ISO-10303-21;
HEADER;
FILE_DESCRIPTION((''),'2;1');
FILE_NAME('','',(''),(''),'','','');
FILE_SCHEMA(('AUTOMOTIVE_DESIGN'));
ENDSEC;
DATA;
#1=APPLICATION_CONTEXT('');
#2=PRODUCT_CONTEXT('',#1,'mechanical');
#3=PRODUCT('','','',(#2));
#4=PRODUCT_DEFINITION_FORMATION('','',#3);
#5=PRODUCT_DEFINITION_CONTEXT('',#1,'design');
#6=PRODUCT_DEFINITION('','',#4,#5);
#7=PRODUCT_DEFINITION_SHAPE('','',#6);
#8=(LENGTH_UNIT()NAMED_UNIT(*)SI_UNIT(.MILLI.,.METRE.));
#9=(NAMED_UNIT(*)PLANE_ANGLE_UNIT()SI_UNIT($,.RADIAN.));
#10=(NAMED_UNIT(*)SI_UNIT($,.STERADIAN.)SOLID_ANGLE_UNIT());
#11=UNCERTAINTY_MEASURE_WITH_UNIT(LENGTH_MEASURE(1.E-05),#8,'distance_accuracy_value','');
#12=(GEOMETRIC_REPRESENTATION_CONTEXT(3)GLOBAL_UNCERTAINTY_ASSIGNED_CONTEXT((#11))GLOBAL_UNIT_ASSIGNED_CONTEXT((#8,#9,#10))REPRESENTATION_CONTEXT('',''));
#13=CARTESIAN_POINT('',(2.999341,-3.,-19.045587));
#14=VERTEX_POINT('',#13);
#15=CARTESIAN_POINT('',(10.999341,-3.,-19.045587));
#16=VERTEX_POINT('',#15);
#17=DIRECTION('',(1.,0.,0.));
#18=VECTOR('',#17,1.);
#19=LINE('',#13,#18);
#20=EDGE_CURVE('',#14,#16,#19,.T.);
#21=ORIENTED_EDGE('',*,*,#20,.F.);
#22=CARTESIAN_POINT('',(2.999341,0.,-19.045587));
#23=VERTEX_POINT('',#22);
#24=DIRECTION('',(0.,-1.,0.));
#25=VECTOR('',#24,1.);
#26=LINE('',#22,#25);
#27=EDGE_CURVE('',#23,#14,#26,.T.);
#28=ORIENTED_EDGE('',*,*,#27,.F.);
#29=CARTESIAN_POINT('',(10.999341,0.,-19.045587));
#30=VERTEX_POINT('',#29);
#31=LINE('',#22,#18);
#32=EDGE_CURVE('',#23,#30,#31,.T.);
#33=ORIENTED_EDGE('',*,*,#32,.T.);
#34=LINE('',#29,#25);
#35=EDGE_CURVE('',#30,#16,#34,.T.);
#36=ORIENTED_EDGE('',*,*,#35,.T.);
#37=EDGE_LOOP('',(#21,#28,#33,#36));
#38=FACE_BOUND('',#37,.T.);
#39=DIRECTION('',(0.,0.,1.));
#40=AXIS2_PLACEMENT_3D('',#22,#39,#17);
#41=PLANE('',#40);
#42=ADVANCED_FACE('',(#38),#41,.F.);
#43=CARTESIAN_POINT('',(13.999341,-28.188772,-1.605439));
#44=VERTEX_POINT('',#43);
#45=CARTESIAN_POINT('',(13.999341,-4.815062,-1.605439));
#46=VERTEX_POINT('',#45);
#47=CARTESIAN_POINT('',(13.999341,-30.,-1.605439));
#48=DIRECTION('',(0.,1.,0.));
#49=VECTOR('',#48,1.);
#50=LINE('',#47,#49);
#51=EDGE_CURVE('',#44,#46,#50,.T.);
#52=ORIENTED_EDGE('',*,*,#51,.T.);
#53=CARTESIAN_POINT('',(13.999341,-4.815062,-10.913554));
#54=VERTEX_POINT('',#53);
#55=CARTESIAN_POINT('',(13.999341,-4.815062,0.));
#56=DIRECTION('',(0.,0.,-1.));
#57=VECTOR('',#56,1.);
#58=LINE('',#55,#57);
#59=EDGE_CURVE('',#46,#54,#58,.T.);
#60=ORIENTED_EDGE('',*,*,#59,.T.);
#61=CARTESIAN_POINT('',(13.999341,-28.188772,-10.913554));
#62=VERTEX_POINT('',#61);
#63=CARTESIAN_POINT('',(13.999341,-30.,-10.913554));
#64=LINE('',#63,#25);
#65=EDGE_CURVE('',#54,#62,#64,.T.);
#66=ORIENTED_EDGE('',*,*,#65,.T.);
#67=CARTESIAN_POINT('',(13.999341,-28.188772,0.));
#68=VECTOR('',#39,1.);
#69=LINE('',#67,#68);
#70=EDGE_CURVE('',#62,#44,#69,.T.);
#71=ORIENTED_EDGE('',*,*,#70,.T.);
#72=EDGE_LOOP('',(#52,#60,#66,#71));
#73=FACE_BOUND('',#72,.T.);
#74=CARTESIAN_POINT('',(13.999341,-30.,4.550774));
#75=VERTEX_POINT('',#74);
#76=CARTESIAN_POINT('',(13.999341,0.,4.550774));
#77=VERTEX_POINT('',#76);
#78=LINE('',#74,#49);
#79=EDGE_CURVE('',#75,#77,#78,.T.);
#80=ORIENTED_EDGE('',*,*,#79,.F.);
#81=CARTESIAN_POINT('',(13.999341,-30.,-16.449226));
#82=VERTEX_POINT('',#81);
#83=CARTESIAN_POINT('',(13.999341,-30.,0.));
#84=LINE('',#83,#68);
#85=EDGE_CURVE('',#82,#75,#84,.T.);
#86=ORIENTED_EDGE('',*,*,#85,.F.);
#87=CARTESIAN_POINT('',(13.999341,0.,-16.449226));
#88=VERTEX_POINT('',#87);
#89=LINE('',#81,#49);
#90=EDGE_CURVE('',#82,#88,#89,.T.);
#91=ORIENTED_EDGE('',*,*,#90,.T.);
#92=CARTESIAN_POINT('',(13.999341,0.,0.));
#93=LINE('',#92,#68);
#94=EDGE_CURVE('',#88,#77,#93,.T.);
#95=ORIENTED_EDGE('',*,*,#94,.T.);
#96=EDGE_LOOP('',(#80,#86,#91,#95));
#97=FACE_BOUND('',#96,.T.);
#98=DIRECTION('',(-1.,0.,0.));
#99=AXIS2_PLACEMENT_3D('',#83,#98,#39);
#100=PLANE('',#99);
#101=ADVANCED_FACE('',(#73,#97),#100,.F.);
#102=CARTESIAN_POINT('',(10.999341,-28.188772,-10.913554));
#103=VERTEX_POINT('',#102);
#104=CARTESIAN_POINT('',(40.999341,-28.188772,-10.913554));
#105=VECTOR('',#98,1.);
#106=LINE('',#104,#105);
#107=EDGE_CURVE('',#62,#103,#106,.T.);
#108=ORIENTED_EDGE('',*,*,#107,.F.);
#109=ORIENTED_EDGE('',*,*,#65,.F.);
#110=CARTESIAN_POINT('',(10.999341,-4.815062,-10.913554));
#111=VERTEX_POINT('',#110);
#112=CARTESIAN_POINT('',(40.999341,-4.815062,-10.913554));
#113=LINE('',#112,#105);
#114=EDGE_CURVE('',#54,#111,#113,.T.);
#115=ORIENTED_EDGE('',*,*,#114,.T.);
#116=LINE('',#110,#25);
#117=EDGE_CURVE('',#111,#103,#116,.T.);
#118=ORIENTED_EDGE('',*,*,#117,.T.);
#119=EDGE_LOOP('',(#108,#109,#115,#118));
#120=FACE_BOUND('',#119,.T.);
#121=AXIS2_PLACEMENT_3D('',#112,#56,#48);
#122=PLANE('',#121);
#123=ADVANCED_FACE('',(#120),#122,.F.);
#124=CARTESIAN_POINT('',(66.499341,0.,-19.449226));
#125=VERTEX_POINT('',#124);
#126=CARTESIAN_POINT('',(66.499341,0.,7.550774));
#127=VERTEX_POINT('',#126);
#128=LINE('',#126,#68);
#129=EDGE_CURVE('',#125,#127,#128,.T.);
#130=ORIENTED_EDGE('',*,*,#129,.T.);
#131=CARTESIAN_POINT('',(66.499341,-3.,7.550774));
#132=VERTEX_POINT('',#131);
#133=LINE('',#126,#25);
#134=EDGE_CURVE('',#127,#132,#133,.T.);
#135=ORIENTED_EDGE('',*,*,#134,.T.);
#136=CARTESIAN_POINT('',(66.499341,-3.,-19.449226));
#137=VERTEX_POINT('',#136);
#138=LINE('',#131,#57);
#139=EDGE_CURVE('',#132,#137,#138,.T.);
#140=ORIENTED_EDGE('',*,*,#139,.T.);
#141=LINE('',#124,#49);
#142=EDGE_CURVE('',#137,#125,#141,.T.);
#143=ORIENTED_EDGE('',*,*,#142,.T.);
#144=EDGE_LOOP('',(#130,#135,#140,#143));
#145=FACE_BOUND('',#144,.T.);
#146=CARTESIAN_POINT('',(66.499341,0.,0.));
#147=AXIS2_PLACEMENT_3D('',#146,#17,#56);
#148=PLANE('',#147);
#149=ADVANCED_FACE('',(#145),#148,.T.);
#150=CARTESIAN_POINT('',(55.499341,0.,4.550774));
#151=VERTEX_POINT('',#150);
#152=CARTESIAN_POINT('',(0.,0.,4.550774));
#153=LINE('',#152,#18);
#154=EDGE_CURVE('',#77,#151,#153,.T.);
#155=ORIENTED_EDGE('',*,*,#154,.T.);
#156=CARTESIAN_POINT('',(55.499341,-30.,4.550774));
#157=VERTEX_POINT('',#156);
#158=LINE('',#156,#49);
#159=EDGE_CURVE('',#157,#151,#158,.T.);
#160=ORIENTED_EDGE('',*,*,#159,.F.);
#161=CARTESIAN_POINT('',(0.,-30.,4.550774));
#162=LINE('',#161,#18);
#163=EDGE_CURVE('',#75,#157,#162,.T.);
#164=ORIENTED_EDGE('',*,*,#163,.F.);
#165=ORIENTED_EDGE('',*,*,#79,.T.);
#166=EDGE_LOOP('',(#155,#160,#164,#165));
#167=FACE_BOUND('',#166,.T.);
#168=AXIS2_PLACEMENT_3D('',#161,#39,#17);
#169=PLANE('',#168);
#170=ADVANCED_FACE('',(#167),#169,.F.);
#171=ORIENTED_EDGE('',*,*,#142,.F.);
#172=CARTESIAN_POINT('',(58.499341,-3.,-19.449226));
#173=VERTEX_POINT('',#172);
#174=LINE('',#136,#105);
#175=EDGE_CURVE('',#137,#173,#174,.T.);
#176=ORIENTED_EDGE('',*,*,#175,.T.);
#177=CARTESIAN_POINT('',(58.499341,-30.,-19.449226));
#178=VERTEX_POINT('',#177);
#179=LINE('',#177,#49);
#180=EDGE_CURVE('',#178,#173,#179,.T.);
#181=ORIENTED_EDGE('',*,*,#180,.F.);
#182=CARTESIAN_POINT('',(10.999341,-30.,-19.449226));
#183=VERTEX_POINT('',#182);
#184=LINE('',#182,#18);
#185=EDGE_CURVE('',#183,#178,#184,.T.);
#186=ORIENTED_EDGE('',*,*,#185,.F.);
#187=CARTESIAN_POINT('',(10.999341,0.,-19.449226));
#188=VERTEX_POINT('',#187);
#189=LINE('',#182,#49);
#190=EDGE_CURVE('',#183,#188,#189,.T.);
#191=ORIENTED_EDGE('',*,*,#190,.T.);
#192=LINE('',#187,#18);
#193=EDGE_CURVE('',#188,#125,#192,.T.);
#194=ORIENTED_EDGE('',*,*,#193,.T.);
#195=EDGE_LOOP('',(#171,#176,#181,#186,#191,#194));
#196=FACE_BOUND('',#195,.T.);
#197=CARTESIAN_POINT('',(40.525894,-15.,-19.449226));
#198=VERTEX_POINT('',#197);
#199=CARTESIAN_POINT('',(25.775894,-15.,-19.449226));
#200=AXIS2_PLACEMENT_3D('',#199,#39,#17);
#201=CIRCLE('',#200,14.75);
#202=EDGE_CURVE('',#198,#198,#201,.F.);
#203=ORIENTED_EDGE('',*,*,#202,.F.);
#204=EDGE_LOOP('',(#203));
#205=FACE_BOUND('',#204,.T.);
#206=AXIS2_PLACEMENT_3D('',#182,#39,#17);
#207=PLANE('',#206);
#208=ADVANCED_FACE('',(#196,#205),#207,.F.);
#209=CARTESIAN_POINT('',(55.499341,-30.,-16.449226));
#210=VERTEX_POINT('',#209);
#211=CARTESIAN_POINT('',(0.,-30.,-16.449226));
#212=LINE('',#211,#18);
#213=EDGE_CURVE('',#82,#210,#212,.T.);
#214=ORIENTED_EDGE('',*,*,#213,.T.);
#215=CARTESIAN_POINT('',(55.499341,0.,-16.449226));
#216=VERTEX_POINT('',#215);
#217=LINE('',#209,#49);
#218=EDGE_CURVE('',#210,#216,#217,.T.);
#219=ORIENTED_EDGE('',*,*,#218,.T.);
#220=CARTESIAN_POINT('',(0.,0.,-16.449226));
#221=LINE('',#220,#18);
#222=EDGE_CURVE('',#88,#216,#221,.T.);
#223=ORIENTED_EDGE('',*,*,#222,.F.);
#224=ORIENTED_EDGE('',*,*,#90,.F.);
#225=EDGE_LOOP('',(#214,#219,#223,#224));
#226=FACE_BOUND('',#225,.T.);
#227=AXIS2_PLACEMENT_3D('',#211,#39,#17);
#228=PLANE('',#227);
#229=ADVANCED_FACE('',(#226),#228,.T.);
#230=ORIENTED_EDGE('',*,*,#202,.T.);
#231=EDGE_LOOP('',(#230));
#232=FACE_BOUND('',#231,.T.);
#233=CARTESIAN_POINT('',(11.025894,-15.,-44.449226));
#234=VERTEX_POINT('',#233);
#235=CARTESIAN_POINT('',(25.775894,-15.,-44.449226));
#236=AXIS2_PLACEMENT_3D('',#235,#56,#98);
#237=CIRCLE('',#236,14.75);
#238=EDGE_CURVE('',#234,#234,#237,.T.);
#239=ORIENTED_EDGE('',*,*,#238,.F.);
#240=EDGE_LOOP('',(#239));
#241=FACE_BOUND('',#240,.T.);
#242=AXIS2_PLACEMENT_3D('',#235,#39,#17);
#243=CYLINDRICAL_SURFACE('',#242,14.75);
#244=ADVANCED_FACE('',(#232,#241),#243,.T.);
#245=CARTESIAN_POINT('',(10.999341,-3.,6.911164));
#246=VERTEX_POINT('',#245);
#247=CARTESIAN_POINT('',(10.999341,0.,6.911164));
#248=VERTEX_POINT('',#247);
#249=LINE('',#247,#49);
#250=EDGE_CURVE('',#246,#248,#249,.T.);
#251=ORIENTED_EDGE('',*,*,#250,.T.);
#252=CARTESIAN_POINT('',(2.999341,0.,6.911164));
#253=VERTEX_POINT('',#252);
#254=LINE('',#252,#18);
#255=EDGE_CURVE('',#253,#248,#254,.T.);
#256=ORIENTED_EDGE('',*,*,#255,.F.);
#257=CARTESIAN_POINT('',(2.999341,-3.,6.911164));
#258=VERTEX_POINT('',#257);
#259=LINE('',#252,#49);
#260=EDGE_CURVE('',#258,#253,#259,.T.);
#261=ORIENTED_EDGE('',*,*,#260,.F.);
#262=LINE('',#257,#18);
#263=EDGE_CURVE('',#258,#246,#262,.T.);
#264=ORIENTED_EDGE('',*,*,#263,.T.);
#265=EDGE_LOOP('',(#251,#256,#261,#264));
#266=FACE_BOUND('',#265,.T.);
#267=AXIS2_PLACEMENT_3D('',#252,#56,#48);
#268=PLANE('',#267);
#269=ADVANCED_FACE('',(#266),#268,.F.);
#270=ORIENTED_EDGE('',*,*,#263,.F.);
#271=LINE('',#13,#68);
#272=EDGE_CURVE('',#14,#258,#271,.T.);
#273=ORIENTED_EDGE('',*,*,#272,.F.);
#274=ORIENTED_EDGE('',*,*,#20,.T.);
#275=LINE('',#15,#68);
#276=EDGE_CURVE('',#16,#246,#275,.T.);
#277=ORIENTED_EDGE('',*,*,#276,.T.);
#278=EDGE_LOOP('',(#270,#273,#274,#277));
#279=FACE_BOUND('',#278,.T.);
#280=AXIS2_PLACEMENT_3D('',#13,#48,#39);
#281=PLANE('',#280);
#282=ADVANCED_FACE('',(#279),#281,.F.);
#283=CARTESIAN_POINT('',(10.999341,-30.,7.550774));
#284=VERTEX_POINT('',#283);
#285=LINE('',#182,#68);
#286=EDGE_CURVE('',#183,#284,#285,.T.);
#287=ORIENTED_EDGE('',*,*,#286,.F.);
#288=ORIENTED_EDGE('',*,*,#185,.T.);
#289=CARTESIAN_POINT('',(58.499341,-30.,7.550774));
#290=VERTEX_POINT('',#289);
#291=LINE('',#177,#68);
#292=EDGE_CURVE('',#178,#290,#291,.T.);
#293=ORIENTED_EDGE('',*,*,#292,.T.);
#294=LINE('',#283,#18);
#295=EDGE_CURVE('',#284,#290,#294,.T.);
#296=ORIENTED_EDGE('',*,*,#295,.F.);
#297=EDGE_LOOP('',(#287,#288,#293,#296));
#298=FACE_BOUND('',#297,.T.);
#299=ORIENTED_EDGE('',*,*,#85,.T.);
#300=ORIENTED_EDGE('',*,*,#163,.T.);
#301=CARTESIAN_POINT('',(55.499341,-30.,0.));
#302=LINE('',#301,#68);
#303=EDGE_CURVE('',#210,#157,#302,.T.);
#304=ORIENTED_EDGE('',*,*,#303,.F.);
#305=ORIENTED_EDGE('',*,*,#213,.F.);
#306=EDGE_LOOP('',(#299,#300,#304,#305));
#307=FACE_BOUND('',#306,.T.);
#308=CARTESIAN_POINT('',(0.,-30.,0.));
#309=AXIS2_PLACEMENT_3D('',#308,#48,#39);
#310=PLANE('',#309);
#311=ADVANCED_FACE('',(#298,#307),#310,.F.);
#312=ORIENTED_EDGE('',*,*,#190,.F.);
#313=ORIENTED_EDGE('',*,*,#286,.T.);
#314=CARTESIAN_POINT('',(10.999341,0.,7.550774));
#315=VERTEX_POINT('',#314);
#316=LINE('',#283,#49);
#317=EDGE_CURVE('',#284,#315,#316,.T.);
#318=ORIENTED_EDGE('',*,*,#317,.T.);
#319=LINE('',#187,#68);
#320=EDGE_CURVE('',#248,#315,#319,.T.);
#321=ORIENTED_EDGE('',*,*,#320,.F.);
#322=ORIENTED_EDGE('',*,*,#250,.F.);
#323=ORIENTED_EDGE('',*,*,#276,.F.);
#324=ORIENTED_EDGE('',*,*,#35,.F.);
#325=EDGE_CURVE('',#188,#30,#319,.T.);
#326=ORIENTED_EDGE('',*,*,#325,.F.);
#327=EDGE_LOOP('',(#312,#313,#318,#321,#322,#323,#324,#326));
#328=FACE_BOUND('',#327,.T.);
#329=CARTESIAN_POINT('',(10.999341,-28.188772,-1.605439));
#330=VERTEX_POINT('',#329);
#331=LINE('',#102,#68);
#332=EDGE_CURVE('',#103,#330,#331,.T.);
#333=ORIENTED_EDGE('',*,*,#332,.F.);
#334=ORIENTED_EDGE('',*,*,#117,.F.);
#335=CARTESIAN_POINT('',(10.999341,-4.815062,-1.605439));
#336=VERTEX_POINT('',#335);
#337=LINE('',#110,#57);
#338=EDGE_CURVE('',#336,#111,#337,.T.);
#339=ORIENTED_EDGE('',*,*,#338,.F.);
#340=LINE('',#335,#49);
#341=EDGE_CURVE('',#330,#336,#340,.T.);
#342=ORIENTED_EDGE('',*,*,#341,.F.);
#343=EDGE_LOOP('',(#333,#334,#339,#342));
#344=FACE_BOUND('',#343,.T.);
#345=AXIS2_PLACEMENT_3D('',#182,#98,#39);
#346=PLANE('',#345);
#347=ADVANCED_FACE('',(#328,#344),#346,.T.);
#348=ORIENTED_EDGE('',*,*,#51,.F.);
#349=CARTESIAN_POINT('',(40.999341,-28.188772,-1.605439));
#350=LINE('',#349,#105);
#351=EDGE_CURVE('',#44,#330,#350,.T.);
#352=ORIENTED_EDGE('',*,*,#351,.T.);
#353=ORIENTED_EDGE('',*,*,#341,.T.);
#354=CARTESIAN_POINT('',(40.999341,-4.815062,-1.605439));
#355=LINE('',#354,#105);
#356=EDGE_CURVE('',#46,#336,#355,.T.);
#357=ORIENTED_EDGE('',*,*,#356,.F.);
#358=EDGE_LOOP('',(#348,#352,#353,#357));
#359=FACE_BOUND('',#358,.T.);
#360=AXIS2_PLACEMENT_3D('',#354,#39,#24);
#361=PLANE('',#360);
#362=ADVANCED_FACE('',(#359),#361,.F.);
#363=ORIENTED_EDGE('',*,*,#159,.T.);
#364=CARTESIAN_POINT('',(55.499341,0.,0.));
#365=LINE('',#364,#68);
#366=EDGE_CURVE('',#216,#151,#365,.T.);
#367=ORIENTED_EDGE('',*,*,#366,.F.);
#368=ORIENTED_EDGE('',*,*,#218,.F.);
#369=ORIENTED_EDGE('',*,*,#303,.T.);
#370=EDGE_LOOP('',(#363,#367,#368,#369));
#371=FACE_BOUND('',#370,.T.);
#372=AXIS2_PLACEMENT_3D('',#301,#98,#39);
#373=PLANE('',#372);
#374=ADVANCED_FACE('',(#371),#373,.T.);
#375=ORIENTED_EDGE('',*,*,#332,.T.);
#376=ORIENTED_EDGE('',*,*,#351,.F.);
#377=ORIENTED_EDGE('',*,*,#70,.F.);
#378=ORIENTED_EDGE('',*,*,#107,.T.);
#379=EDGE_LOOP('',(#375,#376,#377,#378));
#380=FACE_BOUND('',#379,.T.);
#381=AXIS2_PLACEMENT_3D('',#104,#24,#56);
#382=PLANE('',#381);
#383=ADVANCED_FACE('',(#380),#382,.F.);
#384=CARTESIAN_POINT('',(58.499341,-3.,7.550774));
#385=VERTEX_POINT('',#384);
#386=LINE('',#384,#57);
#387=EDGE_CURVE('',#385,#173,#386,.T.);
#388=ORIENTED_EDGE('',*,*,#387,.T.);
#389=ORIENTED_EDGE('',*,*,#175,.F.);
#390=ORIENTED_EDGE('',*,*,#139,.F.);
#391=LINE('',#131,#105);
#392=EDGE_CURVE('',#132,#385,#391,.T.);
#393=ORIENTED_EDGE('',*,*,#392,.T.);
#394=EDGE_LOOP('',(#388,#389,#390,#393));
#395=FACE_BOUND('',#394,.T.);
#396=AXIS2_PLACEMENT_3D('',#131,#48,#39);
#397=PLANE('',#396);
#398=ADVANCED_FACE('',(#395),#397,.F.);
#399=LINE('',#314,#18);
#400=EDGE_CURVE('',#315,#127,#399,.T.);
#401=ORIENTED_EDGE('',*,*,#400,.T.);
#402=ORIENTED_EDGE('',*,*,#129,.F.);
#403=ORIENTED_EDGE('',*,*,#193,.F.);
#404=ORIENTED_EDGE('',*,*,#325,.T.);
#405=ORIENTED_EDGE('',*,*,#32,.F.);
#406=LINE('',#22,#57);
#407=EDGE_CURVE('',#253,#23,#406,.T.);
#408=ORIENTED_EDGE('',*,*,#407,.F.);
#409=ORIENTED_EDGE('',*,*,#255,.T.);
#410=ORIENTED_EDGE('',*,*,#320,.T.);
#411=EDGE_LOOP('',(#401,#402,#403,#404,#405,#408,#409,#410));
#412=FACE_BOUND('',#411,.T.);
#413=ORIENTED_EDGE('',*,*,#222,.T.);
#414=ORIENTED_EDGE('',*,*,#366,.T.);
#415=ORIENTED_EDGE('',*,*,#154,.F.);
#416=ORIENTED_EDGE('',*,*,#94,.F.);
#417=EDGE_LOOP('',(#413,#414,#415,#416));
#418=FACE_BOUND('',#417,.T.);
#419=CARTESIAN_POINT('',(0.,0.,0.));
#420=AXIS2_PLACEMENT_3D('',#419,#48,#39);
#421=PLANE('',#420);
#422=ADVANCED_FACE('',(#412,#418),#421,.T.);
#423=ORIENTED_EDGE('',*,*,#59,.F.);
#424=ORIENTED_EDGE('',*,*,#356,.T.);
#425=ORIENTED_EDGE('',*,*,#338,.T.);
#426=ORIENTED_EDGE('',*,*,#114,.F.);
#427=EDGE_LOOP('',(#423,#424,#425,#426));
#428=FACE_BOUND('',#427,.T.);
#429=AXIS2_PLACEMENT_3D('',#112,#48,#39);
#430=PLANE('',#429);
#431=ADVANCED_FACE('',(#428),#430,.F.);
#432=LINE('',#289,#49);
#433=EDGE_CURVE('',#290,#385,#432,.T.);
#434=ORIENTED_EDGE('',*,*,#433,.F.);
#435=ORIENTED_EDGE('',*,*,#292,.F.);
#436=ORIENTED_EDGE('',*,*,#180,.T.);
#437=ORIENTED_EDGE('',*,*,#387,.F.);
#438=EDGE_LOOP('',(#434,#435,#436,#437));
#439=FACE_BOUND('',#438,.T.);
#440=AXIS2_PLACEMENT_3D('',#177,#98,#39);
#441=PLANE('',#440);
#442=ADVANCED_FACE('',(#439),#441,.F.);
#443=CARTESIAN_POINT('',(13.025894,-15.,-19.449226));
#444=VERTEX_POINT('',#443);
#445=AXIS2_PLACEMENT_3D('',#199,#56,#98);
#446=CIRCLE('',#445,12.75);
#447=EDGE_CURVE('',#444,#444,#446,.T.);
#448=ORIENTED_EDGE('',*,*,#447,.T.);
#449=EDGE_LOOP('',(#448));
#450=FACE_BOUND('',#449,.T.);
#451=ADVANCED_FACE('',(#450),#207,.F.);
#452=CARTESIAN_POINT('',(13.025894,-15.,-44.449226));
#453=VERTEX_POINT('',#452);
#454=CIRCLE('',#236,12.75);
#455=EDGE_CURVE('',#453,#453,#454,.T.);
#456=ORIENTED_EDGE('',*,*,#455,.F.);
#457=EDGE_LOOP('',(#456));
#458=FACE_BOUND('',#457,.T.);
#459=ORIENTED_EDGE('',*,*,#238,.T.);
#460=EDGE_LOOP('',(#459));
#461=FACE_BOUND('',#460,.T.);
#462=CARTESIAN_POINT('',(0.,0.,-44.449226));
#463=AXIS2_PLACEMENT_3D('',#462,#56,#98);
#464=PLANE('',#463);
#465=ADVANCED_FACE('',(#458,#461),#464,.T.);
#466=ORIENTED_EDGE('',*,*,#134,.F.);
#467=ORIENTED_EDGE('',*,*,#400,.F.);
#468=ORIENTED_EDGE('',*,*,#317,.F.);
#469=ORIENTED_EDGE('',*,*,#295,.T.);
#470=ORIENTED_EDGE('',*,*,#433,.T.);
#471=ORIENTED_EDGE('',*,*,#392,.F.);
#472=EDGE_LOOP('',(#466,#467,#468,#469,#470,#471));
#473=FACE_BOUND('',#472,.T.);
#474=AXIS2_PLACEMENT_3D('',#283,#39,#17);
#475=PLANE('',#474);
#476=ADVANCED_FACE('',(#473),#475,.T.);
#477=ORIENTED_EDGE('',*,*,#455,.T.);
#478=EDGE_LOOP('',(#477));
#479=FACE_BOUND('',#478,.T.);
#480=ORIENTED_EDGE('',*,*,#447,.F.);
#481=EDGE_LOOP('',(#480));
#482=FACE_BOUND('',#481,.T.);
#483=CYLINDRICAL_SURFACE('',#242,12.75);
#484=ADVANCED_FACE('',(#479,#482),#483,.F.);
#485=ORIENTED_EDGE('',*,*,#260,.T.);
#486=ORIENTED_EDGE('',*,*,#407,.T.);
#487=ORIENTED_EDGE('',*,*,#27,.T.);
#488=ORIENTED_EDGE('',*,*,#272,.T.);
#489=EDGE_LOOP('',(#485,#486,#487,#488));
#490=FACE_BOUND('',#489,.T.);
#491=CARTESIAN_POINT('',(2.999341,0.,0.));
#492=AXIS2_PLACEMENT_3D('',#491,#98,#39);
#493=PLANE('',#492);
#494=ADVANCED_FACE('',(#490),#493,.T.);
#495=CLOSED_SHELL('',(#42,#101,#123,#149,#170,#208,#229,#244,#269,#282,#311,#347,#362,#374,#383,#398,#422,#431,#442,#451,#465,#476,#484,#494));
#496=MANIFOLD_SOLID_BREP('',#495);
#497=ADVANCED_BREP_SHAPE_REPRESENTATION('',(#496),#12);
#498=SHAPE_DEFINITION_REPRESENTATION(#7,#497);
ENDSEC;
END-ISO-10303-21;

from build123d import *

# Parameters (mm, degrees)
SKETCH1_W           = 47.5
SKETCH1_H           = 27
SKETCH1_W_2         = 41.5
SKETCH1_H_2         = 21
BOSS_EXTRUDE2_DEPTH = 30
SKETCH2_W           = 9.308114218
SKETCH2_H           = 23.373709037
CUT_EXTRUDE1_DEPTH  = 30
SKETCH3_W           = 25.956751415
SKETCH3_H           = 3
BOSS_EXTRUDE3_DEPTH = 8
SKETCH4_W           = 27
SKETCH4_H           = 3
BOSS_EXTRUDE4_DEPTH = 8
SKETCH5_R           = 14.75
SKETCH5_R_2         = 12.75
BOSS_EXTRUDE5_DEPTH = 25


with BuildPart() as part:
    # Sketch1 → Boss-Extrude2 (new body)
    with BuildSketch(Plane(origin=(0, 0, 0), x_dir=(1, 0, 0), z_dir=(0, 1, 0))):
        with Locations((34.749341264, 5.949225985)):
            Rectangle(SKETCH1_W, SKETCH1_H)
        with Locations((34.749341264, 5.949225985)):
            Rectangle(SKETCH1_W_2, SKETCH1_H_2, mode=Mode.SUBTRACT)
    extrude(amount=-BOSS_EXTRUDE2_DEPTH)

    # Sketch2 → Cut-Extrude1 (cut)
    with BuildSketch(Plane.ZY.offset(-10.999341264)):
        with Locations((-6.259496459, -16.501916984)):
            Rectangle(SKETCH2_W, SKETCH2_H)
    extrude(amount=-CUT_EXTRUDE1_DEPTH, mode=Mode.SUBTRACT)

    # Sketch3 → Boss-Extrude3 (add)
    with BuildSketch(Plane.ZY.offset(-10.999341264)):
        with Locations((-6.067211219, -1.5)):
            Rectangle(SKETCH3_W, SKETCH3_H)
    extrude(amount=BOSS_EXTRUDE3_DEPTH)

    # Sketch4 → Boss-Extrude4 (add)
    with BuildSketch(Plane(origin=(58.499341264, 0, 0), x_dir=(0, 0, -1), z_dir=(1, 0, 0))):
        with Locations((5.949225985, -1.5)):
            Rectangle(SKETCH4_W, SKETCH4_H)
    extrude(amount=BOSS_EXTRUDE4_DEPTH)

    # Sketch5 → Boss-Extrude5 (add)
    with BuildSketch(Plane(origin=(0, 0, -19.449225985), x_dir=(-1, 0, 0), z_dir=(0, 0, -1))):
        with Locations(Location((-25.775893869, -15, 0), (0, 0, 180))):
            Circle(SKETCH5_R)
        with Locations((-25.775893869, -15)):
            Circle(SKETCH5_R_2, mode=Mode.SUBTRACT)
    extrude(amount=BOSS_EXTRUDE5_DEPTH)


solid = part.part
